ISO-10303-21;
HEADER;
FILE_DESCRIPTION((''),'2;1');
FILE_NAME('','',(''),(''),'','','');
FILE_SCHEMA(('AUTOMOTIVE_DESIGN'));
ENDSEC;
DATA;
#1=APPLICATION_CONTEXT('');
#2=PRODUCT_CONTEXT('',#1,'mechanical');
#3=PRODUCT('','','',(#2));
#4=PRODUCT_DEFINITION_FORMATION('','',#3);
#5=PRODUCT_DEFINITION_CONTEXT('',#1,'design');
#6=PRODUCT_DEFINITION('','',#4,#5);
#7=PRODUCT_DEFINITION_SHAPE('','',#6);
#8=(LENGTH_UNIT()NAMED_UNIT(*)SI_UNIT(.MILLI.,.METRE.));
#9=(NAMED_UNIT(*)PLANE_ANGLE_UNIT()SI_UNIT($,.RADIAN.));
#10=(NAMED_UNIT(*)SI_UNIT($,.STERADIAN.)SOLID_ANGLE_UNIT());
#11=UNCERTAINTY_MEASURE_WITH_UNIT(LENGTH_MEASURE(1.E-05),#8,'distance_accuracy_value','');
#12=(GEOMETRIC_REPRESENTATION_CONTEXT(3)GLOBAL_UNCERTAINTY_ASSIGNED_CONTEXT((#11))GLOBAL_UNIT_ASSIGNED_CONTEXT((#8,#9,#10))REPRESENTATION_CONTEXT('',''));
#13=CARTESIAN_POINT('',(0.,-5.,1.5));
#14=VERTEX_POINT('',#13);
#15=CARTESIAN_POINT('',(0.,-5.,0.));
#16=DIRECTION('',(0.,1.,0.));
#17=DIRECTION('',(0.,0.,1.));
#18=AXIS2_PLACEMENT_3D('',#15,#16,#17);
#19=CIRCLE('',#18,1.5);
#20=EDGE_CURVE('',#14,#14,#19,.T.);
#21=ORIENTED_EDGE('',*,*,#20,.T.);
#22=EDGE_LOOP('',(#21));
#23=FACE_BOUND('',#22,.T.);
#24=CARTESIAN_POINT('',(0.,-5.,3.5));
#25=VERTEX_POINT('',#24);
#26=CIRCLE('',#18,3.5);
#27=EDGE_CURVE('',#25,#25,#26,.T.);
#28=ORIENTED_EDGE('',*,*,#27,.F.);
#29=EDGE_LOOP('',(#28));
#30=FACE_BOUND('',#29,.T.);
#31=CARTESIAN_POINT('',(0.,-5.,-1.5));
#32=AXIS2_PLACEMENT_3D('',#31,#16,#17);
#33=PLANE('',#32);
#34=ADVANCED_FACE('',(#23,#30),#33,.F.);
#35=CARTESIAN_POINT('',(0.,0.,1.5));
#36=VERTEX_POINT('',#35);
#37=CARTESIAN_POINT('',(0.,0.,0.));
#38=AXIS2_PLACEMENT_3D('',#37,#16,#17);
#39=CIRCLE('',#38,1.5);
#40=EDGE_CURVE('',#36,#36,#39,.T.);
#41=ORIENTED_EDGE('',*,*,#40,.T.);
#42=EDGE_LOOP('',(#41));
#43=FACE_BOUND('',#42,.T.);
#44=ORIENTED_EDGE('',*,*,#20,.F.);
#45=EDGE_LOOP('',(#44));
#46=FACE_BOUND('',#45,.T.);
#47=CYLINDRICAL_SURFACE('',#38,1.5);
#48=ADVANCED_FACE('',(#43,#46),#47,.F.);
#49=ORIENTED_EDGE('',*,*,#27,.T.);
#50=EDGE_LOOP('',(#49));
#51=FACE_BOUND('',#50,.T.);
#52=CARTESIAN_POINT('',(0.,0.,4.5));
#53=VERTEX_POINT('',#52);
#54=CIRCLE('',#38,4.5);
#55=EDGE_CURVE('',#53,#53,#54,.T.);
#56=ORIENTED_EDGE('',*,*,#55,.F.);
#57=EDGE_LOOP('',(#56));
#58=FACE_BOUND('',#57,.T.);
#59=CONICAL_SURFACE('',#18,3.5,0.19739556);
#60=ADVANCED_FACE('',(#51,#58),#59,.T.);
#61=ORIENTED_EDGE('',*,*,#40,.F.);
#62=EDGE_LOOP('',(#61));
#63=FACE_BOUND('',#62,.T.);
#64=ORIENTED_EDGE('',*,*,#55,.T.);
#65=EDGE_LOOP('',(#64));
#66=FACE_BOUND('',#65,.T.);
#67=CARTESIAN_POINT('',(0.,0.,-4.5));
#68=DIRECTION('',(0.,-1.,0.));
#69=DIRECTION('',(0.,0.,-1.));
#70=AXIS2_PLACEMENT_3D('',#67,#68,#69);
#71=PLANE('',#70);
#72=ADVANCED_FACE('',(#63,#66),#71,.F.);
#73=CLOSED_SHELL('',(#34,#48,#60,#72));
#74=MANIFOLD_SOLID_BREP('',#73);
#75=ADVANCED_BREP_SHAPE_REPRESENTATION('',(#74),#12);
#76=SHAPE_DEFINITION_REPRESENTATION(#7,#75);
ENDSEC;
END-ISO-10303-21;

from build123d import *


with BuildPart() as part:
    # Sketch1 → Revolve1 (revolve)
    with BuildSketch(Plane(origin=(0, 0, 0), x_dir=(0, 0, -1), z_dir=(1, 0, 0))):
        Polygon((1.5, 0), (1.5, -5), (3.5, -5), (4.5, 0), align=None)
    revolve(axis=Axis((0, 0, 0), (0, -1, 0)))


solid = part.part
